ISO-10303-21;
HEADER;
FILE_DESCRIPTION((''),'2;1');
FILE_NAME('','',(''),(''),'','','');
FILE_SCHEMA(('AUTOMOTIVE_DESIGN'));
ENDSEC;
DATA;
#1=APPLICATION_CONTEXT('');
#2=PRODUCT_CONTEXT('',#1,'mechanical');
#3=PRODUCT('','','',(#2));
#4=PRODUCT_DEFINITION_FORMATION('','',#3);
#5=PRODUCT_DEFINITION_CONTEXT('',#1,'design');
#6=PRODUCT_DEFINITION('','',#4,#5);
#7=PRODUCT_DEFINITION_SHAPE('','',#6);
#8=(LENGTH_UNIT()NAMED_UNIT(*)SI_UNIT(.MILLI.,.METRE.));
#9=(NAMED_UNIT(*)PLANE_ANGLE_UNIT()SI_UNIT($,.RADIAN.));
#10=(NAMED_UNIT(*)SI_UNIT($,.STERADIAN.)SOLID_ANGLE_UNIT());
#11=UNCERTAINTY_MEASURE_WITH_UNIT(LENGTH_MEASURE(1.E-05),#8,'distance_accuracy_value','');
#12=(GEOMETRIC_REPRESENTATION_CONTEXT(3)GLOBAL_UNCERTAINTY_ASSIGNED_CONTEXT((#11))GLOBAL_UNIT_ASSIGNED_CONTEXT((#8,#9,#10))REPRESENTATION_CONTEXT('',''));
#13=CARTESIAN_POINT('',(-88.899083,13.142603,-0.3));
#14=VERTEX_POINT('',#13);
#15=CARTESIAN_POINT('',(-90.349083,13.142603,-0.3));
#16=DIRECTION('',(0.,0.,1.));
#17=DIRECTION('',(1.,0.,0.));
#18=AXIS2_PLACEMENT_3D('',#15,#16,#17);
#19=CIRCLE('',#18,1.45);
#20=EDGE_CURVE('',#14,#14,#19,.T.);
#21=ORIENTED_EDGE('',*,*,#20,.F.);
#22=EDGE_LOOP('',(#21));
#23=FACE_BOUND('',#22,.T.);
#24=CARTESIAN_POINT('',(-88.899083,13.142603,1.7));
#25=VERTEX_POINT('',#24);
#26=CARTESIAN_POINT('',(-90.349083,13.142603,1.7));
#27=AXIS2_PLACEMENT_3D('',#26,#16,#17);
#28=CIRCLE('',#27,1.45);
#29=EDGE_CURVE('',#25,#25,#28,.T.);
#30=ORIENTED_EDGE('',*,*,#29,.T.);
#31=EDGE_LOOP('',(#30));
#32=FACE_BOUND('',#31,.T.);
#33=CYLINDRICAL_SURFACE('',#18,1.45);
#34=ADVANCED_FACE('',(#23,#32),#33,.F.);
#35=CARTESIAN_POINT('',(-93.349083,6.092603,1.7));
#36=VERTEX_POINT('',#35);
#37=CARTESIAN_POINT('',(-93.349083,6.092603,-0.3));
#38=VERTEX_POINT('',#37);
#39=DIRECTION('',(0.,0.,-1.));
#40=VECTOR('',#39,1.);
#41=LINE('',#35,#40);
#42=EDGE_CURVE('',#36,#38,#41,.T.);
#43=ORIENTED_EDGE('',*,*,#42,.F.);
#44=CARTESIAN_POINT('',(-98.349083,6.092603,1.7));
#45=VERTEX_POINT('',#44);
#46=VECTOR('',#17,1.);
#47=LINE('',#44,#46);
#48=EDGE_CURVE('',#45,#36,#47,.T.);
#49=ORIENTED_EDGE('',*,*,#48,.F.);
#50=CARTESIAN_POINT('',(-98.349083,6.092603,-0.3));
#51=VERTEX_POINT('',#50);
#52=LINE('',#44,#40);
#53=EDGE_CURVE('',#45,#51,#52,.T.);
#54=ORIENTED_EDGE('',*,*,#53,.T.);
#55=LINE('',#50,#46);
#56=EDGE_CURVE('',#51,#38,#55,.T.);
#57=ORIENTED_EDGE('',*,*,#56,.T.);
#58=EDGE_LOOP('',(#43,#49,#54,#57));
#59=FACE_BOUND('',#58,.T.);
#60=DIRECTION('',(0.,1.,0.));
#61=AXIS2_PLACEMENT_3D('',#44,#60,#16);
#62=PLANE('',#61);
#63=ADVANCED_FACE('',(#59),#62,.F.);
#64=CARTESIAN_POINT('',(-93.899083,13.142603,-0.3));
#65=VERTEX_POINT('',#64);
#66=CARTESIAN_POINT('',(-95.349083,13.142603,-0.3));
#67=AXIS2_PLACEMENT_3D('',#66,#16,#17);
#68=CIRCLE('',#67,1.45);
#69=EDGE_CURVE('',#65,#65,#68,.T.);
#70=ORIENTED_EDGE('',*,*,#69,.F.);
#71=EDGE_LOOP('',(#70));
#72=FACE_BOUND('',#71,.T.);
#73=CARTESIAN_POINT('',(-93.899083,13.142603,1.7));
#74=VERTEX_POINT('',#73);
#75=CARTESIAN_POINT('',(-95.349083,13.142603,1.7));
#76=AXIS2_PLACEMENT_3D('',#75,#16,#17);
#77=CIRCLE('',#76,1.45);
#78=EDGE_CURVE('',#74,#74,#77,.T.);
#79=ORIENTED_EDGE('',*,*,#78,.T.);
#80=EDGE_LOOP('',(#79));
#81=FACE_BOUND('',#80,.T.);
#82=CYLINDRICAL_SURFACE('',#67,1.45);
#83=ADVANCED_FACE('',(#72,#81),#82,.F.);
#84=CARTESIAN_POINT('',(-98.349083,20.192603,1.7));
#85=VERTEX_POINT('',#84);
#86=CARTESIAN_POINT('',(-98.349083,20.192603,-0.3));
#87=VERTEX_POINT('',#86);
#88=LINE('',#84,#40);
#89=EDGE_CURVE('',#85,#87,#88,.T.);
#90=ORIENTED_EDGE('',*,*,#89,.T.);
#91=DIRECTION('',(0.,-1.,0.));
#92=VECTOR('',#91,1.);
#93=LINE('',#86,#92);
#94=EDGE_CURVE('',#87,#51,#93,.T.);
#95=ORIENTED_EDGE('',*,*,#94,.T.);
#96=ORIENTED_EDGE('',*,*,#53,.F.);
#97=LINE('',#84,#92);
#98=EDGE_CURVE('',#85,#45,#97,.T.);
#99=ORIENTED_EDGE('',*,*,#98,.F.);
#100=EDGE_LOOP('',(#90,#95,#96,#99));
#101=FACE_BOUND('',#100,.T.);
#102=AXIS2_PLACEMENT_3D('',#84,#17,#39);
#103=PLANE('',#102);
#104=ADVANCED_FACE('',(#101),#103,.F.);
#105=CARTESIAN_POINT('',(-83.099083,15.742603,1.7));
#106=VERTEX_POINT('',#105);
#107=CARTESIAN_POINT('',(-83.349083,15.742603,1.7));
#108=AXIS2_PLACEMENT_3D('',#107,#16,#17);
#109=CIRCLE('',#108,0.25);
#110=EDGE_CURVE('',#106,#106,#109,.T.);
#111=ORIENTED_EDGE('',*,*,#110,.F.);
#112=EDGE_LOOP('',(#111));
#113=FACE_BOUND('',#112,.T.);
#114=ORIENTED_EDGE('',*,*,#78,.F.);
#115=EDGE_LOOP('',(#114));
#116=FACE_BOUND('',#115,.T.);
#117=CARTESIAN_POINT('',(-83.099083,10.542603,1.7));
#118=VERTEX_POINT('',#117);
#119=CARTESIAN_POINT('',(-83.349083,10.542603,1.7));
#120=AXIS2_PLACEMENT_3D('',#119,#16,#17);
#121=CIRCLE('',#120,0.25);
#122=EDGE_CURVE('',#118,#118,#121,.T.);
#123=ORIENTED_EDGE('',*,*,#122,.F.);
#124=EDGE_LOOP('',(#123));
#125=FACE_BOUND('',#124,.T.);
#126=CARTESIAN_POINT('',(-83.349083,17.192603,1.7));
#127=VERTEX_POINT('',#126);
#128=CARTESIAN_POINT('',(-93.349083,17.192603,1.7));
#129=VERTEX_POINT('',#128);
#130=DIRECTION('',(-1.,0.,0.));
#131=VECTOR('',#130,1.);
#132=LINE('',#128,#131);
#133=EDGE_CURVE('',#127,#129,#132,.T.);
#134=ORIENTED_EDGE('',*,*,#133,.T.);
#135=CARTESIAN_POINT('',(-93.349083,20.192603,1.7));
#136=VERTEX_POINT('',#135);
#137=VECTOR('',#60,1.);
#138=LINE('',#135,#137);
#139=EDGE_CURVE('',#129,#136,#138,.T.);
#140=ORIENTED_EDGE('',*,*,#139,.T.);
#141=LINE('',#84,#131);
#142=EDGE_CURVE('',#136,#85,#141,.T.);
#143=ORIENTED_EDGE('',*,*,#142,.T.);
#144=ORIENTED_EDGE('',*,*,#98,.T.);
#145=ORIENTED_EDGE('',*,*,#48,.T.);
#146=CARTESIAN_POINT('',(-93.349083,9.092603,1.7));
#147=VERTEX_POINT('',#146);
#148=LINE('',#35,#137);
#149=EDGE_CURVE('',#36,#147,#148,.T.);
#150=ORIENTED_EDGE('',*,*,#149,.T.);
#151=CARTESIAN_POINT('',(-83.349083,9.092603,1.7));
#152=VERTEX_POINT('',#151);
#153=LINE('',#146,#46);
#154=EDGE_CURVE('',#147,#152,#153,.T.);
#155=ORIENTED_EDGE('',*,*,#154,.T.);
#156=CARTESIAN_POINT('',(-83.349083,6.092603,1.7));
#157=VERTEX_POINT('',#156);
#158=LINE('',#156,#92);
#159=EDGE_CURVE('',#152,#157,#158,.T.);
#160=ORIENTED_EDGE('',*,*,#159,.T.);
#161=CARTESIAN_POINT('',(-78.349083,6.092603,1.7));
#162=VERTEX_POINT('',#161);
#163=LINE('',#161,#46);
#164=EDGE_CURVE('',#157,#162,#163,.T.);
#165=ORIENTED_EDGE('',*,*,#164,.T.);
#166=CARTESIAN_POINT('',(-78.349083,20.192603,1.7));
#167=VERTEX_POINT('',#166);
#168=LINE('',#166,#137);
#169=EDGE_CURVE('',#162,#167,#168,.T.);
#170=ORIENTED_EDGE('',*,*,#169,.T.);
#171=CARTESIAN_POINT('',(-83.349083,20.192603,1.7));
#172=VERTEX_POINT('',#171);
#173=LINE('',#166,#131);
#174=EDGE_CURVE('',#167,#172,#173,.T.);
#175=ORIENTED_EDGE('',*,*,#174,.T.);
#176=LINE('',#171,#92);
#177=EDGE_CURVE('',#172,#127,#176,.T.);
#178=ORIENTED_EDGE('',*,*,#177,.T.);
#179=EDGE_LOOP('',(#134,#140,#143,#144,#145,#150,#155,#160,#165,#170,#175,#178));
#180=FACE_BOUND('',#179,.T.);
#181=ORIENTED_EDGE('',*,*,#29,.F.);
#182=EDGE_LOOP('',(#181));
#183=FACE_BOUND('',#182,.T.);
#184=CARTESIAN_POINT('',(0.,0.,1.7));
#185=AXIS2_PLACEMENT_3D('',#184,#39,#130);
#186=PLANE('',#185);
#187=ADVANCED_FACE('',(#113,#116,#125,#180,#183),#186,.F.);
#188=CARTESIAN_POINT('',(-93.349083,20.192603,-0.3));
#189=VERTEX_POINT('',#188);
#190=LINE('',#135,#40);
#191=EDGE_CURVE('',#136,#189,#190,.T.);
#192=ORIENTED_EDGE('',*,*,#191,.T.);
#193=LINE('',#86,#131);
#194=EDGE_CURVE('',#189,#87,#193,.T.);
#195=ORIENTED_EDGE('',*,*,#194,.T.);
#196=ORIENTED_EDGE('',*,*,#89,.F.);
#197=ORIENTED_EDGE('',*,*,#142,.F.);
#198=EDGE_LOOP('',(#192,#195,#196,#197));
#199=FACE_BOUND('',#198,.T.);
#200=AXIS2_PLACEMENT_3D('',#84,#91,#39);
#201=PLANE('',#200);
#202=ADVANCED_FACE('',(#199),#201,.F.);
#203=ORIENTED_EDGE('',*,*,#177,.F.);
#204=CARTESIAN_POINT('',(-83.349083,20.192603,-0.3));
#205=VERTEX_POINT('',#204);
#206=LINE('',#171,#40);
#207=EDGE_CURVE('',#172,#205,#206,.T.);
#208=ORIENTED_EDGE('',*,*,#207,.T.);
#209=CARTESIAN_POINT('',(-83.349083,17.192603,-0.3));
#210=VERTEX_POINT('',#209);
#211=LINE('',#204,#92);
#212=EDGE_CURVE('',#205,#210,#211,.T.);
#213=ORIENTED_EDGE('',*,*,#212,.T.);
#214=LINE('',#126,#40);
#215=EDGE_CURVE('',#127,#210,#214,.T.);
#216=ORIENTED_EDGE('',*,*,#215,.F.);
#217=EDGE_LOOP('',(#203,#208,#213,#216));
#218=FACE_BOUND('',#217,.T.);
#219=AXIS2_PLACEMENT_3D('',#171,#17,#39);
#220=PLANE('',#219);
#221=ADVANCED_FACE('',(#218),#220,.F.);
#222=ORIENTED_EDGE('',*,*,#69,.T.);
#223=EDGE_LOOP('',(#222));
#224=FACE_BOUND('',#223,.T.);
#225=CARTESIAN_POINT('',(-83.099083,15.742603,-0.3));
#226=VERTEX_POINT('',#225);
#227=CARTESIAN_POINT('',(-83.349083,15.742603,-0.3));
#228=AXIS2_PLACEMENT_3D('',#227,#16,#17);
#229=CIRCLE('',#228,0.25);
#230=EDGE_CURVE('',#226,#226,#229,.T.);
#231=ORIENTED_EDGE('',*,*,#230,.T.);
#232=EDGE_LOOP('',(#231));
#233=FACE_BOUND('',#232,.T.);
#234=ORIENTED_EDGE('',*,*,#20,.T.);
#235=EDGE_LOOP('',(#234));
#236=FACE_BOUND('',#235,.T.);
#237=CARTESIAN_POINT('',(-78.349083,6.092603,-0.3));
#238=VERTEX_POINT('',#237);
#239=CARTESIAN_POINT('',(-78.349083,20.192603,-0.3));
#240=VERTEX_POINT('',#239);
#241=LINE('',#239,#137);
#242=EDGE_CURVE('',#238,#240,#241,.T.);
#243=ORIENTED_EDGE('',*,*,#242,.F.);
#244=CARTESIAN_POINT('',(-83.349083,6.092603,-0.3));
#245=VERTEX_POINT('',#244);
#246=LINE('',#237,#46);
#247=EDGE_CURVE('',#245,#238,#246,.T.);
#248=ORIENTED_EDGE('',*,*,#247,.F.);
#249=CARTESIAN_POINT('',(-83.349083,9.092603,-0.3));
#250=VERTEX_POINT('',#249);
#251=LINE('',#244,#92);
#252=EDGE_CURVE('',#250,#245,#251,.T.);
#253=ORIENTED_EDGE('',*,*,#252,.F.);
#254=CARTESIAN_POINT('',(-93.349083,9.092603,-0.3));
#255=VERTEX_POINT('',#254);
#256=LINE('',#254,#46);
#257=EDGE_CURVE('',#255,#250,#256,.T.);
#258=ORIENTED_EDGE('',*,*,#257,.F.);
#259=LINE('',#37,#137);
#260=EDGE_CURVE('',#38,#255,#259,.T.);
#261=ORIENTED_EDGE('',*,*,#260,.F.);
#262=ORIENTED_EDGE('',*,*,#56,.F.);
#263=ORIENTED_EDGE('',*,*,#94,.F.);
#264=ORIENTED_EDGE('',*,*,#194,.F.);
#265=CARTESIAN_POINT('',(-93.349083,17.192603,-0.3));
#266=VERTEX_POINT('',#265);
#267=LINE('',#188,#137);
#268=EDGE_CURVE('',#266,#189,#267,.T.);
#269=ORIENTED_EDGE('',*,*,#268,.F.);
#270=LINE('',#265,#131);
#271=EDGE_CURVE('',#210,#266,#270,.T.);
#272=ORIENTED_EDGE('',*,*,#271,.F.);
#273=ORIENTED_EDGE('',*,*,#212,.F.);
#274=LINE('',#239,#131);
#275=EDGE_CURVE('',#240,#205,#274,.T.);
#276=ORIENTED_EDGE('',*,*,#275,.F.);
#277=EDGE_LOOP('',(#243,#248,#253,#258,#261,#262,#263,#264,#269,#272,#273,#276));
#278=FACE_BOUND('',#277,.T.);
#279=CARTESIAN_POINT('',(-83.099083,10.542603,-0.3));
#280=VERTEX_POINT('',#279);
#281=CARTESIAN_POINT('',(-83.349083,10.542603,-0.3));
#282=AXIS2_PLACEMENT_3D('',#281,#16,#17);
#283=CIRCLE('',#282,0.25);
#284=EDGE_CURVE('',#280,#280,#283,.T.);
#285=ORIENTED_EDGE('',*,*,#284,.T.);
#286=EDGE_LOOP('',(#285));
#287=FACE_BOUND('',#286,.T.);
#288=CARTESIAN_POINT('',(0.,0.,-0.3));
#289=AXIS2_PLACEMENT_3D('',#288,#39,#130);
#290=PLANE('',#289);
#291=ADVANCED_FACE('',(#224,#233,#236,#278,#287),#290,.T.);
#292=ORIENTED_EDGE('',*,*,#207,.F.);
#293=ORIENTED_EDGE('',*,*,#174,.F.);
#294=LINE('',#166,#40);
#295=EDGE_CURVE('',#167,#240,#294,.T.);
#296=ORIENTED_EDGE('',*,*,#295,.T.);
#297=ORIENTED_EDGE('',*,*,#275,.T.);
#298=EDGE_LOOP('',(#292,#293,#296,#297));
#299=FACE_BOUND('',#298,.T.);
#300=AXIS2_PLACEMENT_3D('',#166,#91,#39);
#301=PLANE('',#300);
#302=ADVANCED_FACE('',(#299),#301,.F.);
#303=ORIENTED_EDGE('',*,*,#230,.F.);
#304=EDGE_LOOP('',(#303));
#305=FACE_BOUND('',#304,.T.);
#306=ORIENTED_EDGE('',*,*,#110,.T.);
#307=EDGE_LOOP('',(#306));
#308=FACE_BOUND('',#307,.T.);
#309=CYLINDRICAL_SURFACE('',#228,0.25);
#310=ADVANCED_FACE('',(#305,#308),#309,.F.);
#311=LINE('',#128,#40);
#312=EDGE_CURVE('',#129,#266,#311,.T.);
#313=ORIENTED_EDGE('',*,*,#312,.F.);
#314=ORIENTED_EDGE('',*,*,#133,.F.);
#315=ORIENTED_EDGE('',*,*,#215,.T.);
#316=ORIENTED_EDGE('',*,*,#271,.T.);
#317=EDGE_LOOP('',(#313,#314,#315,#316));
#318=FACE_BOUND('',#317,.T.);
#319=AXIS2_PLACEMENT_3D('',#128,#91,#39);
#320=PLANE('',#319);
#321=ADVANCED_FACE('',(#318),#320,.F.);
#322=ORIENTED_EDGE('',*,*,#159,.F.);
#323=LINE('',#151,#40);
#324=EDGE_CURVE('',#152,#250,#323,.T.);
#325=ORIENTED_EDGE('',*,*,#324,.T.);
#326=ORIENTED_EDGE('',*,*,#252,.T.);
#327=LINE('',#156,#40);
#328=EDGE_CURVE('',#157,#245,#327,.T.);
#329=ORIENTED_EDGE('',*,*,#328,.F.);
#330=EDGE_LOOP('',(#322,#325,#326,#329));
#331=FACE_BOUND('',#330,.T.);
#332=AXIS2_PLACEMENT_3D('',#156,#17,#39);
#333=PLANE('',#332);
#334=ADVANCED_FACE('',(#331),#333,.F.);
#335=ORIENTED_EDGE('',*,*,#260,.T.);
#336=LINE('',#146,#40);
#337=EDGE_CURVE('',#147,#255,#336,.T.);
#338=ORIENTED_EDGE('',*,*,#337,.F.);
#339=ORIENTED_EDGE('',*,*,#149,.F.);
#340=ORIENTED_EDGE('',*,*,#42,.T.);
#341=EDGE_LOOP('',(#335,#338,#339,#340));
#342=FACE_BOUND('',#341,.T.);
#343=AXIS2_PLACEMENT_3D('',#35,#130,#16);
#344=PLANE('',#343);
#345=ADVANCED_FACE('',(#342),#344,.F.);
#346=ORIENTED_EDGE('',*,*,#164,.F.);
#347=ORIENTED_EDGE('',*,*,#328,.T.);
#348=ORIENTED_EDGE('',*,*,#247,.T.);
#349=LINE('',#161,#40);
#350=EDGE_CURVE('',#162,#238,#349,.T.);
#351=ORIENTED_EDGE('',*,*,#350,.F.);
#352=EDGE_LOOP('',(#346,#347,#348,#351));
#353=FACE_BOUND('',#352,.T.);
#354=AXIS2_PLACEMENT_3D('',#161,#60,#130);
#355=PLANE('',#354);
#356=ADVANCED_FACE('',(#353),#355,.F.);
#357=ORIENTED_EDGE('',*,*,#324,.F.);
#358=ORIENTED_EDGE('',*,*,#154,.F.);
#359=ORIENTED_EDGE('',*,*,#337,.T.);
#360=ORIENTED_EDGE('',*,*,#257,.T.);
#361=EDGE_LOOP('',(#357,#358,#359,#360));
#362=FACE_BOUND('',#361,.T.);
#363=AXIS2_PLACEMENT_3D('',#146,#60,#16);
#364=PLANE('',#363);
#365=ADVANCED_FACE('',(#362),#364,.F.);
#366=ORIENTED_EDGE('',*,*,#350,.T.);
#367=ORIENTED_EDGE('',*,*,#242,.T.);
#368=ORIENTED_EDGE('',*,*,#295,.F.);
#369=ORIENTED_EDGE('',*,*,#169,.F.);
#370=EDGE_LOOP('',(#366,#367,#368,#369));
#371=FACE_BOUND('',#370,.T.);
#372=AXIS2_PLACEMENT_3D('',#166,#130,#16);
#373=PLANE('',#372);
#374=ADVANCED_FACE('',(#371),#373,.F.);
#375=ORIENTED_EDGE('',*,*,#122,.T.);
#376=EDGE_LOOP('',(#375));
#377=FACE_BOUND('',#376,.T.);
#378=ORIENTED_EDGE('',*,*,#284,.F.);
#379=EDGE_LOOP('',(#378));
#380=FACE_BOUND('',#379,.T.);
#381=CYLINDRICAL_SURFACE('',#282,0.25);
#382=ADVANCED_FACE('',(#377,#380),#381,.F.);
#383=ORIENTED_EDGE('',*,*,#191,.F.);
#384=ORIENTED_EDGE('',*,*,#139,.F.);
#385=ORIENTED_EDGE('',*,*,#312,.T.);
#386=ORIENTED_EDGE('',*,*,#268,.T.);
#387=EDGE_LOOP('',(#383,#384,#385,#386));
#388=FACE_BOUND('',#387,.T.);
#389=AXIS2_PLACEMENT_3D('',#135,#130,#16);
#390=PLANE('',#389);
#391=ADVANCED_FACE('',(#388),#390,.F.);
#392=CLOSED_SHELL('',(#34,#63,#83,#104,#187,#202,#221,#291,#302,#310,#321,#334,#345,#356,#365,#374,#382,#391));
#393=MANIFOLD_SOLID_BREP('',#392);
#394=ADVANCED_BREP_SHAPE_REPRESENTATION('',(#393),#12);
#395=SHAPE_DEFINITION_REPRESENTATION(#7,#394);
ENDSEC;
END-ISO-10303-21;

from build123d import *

# Parameters (mm, degrees)
BOSS_EXTRUDE1_DEPTH = 1.7
BOSS_EXTRUDE4_DEPTH = 0.3
SKETCH6_R           = 1.45
CUT_EXTRUDE1_DEPTH  = 2
SKETCH7_R           = 1.45
CUT_EXTRUDE2_DEPTH  = 2
SKETCH8_R           = 0.25
CUT_EXTRUDE3_DEPTH  = 2
SKETCH9_R           = 0.25
CUT_EXTRUDE4_DEPTH  = 2


with BuildPart() as part:
    # Sketch1 → Boss-Extrude1 (new body)
    with BuildSketch(Plane.XY):
        Polygon((-93.349083219, 17.192602894), (-83.349083219, 17.192602894), (-83.349083219, 20.192602894), (-78.349083219, 20.192602894), (-78.349083219, 6.092602894), (-83.349083219, 6.092602894), (-83.349083219, 9.092602894), (-93.349083219, 9.092602894), (-93.349083219, 6.092602894), (-98.349083219, 6.092602894), (-98.349083219, 20.192602894), (-93.349083219, 20.192602894), align=None)
    extrude(amount=BOSS_EXTRUDE1_DEPTH)

    # Sketch1<4> → Boss-Extrude4 (add)
    with BuildSketch(Plane.XY):
        Polygon((-93.349083219, 17.192602894), (-83.349083219, 17.192602894), (-83.349083219, 20.192602894), (-78.349083219, 20.192602894), (-78.349083219, 6.092602894), (-83.349083219, 6.092602894), (-83.349083219, 9.092602894), (-93.349083219, 9.092602894), (-93.349083219, 6.092602894), (-98.349083219, 6.092602894), (-98.349083219, 20.192602894), (-93.349083219, 20.192602894), align=None)
    extrude(amount=-BOSS_EXTRUDE4_DEPTH)

    # Sketch6 → Cut-Extrude1 (cut)
    with BuildSketch(Plane.XY.offset(1.7)):
        with Locations((-95.349083219, 13.142602894)):
            Circle(SKETCH6_R)
    extrude(amount=-CUT_EXTRUDE1_DEPTH, mode=Mode.SUBTRACT)

    # Sketch7 → Cut-Extrude2 (cut)
    with BuildSketch(Plane.XY.offset(1.7)):
        with Locations((-90.349083219, 13.142602894)):
            Circle(SKETCH7_R)
    extrude(amount=-CUT_EXTRUDE2_DEPTH, mode=Mode.SUBTRACT)

    # Sketch8 → Cut-Extrude3 (cut)
    with BuildSketch(Plane.XY.offset(1.7)):
        with Locations((-83.349083219, 15.742602894)):
            Circle(SKETCH8_R)
    extrude(amount=-CUT_EXTRUDE3_DEPTH, mode=Mode.SUBTRACT)

    # Sketch9 → Cut-Extrude4 (cut)
    with BuildSketch(Plane.XY.offset(1.7)):
        with Locations((-83.349083219, 10.542602894)):
            Circle(SKETCH9_R)
    extrude(amount=-CUT_EXTRUDE4_DEPTH, mode=Mode.SUBTRACT)


solid = part.part
